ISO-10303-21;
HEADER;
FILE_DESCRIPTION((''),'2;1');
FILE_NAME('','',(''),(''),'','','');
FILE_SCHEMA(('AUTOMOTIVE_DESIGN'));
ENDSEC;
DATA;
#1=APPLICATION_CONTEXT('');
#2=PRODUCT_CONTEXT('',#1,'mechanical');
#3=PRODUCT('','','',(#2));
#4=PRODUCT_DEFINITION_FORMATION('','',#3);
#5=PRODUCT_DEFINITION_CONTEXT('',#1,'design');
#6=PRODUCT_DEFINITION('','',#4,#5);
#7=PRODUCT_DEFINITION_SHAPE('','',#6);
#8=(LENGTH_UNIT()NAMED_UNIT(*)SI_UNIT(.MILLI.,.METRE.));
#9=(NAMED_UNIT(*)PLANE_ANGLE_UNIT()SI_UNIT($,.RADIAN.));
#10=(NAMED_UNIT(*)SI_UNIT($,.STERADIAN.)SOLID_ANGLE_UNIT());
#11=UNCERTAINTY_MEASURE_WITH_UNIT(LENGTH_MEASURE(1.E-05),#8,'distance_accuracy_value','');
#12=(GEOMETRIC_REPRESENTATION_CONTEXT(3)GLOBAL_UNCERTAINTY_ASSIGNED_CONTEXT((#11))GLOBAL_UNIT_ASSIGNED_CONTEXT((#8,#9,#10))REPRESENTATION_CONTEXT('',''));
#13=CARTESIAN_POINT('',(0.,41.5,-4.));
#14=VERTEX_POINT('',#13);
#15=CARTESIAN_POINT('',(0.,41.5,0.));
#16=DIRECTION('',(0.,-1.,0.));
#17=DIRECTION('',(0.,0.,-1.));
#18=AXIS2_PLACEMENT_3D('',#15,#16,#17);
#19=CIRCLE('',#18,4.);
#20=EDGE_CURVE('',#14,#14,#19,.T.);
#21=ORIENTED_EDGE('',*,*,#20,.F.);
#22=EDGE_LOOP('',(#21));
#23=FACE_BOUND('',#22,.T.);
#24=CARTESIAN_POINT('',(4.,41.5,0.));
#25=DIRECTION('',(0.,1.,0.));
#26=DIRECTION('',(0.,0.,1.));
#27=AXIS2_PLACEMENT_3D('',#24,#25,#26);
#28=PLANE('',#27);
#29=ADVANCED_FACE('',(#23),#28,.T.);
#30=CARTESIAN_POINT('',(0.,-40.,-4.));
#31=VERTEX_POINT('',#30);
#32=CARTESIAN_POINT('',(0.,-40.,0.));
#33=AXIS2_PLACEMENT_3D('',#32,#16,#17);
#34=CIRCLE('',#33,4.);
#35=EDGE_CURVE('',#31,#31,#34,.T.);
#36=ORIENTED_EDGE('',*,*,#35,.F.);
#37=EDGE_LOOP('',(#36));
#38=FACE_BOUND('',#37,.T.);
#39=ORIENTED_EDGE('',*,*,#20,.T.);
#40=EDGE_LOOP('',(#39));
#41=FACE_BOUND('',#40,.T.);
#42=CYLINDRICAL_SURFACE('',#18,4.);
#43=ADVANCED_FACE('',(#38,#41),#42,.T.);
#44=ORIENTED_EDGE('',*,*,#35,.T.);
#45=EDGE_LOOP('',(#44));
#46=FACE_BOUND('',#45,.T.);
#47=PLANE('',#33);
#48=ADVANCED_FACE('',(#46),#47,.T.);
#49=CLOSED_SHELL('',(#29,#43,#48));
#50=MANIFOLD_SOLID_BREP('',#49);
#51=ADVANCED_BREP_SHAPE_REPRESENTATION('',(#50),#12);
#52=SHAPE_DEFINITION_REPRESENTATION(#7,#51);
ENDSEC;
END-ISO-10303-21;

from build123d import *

# Parameters (mm, degrees)
SKETCH1_W = 4
SKETCH1_H = 81.5


with BuildPart() as part:
    # Sketch1 → Revolve1 (revolve)
    with BuildSketch(Plane.XY):
        with Locations((2, 0.75)):
            Rectangle(SKETCH1_W, SKETCH1_H)
    revolve(axis=Axis((0, 41.5, 0), (0, -1, 0)))


solid = part.part
